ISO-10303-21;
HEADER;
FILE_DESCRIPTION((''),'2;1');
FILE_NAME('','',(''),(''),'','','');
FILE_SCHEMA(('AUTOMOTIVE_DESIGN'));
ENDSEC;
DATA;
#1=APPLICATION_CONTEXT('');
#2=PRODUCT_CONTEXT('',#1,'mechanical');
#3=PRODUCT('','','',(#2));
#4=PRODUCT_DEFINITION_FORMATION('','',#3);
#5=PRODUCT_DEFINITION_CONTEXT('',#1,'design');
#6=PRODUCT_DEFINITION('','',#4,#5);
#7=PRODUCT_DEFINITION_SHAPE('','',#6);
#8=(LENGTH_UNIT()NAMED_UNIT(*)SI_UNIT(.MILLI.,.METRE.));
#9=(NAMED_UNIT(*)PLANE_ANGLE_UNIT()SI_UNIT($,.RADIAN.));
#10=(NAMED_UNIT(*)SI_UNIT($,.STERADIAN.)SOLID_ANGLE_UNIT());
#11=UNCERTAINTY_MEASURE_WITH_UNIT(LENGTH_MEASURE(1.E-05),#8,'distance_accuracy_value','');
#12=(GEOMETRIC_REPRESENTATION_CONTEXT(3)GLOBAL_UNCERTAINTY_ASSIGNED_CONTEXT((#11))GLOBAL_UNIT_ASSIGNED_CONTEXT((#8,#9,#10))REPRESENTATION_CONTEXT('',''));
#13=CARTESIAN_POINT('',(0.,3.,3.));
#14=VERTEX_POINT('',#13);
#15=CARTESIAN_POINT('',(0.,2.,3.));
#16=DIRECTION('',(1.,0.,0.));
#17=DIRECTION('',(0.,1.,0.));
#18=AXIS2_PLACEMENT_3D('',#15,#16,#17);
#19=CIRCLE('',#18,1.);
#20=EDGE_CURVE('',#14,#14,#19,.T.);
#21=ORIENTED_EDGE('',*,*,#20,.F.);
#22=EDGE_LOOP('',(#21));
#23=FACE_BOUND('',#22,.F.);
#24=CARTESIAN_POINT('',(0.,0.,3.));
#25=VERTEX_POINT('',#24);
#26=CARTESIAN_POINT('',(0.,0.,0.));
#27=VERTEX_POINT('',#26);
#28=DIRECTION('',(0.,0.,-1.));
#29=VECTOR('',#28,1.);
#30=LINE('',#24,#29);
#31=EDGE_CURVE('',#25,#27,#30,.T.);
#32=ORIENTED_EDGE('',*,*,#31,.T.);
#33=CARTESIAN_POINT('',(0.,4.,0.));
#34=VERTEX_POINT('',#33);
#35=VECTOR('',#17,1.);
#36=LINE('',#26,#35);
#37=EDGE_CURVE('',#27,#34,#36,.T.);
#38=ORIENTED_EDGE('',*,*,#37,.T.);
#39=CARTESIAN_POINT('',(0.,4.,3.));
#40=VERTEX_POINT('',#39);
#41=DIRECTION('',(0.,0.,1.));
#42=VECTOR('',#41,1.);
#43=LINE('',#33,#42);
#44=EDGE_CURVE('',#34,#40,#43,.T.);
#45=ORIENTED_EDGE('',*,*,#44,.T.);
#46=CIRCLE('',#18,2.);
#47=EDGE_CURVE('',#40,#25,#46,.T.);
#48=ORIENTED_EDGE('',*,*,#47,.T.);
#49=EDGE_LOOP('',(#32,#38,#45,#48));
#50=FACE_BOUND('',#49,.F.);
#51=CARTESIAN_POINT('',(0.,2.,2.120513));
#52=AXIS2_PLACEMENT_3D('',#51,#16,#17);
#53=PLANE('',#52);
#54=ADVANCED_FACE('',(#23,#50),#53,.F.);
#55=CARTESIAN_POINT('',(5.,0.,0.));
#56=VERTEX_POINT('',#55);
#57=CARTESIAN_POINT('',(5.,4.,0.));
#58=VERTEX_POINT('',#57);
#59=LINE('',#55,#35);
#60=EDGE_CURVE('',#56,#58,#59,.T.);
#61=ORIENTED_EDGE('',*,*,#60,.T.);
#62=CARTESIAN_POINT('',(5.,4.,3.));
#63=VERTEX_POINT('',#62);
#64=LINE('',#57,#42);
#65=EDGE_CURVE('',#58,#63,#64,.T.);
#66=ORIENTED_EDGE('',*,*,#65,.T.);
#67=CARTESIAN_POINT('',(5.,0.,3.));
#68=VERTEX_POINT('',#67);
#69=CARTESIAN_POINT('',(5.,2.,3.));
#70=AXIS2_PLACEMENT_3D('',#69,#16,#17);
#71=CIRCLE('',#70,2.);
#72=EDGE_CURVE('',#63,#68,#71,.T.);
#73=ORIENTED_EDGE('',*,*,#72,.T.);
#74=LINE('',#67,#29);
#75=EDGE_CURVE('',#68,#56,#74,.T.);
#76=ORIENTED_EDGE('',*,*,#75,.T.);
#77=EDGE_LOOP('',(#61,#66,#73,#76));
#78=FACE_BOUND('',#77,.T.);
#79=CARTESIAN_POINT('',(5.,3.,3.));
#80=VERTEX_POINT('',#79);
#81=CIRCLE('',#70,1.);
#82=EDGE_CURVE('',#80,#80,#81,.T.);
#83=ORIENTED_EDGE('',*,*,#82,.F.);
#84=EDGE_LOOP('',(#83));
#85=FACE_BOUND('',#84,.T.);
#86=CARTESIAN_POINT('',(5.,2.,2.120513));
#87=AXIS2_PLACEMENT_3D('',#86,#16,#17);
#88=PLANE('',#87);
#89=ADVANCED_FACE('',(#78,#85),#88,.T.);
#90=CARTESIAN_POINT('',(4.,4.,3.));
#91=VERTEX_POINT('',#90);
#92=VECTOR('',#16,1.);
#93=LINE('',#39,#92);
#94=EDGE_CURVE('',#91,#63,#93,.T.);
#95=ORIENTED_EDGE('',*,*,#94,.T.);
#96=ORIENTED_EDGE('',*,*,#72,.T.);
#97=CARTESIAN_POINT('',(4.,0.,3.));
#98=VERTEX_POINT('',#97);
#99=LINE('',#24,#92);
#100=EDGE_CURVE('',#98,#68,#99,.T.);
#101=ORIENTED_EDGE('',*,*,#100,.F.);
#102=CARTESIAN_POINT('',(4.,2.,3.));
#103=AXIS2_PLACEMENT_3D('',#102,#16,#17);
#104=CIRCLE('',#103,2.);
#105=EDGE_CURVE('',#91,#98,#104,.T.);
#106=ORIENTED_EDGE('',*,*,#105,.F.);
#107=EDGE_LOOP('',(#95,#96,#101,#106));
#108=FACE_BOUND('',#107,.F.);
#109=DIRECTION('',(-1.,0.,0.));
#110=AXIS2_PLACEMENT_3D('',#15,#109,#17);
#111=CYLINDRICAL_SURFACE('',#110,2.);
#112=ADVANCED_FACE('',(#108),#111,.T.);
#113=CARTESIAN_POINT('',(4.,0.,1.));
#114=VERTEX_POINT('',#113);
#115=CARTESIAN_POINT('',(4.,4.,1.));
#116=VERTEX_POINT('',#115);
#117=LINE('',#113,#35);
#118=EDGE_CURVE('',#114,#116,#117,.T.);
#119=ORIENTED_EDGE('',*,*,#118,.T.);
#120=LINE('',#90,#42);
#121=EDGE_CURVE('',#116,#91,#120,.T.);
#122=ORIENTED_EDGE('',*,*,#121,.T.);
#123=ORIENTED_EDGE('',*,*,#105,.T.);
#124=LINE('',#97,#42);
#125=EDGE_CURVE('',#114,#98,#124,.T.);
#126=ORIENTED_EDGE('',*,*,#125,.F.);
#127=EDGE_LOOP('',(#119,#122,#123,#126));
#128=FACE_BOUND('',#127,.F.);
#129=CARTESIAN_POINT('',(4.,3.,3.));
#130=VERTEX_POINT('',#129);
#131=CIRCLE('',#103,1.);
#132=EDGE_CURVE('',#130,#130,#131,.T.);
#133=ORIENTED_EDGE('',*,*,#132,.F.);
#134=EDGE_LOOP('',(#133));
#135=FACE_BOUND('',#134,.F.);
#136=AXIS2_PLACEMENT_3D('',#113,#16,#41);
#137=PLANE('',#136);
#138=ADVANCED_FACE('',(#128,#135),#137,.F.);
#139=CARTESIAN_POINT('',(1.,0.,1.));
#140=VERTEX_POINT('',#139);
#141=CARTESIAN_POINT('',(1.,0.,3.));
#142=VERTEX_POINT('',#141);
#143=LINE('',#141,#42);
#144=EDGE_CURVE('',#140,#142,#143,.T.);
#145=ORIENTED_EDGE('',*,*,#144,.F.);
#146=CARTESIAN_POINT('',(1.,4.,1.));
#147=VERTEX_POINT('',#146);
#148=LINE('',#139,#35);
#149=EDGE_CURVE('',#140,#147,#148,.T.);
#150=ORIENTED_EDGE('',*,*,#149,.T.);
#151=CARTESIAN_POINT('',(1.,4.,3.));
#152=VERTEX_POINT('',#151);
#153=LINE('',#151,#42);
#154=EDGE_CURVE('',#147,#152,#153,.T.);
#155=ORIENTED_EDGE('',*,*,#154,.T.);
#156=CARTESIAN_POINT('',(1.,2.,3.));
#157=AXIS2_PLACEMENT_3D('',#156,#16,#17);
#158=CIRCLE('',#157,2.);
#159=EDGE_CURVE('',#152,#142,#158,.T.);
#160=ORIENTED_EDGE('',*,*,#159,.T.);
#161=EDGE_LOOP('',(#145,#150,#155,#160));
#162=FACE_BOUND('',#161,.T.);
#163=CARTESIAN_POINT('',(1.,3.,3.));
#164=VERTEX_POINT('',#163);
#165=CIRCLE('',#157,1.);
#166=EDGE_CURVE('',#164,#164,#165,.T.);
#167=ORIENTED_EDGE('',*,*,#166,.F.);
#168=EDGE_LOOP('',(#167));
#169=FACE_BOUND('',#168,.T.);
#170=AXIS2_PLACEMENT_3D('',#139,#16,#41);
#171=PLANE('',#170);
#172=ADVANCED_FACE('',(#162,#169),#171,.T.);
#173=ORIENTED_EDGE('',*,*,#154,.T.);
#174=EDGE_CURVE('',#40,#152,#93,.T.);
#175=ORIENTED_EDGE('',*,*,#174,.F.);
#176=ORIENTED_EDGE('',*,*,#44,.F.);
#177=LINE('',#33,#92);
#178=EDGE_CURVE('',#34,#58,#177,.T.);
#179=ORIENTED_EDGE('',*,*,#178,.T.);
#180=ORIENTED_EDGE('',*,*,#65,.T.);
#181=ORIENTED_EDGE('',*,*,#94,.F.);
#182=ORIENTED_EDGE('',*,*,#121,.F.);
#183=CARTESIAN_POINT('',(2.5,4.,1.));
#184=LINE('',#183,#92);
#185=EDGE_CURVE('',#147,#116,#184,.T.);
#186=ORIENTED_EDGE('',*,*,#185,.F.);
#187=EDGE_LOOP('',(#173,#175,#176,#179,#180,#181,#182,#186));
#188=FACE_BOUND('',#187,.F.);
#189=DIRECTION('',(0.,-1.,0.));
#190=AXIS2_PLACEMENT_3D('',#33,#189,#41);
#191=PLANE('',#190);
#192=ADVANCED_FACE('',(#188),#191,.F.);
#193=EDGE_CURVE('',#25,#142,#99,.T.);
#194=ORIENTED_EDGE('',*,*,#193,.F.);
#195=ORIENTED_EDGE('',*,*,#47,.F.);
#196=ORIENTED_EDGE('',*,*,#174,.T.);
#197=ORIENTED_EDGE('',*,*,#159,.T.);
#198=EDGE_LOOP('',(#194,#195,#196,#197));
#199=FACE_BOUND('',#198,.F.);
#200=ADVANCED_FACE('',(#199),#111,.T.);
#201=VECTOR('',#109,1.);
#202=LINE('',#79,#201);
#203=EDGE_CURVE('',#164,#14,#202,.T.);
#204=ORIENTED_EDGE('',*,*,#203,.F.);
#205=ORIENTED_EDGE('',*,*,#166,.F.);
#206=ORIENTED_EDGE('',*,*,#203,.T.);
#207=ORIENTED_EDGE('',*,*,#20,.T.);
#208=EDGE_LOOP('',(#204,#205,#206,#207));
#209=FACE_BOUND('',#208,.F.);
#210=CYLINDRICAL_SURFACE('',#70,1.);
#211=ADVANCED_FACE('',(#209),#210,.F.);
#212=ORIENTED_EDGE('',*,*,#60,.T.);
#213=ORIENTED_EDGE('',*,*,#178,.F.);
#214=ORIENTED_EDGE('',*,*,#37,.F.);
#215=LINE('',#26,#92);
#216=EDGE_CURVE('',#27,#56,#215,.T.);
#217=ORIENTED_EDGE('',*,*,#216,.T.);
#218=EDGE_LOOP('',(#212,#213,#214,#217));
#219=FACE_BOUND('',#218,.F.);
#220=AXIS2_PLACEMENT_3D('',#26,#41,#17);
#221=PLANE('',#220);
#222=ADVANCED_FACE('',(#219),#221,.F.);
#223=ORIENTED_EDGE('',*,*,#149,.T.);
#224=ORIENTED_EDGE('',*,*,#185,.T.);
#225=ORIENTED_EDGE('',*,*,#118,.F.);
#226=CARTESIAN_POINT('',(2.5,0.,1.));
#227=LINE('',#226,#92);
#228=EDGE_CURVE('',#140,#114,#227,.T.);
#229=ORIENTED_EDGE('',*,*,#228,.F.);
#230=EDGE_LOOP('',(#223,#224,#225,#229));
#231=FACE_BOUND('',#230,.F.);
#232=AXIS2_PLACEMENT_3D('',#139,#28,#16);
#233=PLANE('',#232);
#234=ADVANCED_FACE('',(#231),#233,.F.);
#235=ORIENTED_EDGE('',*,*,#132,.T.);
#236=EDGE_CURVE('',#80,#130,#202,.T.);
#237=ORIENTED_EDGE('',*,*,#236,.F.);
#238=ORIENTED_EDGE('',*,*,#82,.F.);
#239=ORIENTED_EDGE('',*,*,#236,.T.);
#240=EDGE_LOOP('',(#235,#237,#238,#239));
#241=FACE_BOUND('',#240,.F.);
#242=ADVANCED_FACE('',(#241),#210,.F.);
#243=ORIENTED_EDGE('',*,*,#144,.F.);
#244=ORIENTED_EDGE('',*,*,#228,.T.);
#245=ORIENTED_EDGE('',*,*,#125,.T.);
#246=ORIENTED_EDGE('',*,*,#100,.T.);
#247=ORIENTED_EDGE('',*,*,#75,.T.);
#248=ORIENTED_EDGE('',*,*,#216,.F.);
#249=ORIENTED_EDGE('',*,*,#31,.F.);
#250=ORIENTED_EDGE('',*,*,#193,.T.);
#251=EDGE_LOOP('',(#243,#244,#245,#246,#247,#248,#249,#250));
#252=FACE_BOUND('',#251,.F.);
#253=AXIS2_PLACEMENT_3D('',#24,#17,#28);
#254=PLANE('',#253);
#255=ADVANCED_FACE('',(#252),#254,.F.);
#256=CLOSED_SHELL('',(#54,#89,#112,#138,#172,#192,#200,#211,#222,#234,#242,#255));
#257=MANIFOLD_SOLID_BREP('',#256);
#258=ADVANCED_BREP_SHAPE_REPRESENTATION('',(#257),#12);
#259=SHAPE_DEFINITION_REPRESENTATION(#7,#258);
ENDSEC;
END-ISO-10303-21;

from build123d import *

# Parameters (mm, degrees)
F1_DEPTH = 5
F2_W     = 3
F2_H     = 4
F3_DEPTH = 4
F4_R     = 1
F5_DEPTH = 5


with BuildPart() as f1:
    # F0 (on Right) → F1 (new body)
    with BuildSketch(Plane.YZ):
        with BuildLine():
            Line((0, 3), (0, 0))
            Line((0, 0), (4, 0))
            Line((4, 0), (4, 3))
            ThreePointArc((4, 3), (2, 5), (0, 3))
        make_face()
    extrude(amount=F1_DEPTH)

    # F2 (on face) → F3 (cut)
    with BuildSketch(Plane.XZ):
        with Locations((2.5, 3)):
            Rectangle(F2_W, F2_H)
    extrude(amount=-F3_DEPTH, mode=Mode.SUBTRACT)

    # F4 (on face) → F5 (cut)
    with BuildSketch(Plane.YZ.offset(5)):
        with Locations((2, 3)):
            Circle(F4_R)
    extrude(amount=-F5_DEPTH, mode=Mode.SUBTRACT)


solid = f1.part
